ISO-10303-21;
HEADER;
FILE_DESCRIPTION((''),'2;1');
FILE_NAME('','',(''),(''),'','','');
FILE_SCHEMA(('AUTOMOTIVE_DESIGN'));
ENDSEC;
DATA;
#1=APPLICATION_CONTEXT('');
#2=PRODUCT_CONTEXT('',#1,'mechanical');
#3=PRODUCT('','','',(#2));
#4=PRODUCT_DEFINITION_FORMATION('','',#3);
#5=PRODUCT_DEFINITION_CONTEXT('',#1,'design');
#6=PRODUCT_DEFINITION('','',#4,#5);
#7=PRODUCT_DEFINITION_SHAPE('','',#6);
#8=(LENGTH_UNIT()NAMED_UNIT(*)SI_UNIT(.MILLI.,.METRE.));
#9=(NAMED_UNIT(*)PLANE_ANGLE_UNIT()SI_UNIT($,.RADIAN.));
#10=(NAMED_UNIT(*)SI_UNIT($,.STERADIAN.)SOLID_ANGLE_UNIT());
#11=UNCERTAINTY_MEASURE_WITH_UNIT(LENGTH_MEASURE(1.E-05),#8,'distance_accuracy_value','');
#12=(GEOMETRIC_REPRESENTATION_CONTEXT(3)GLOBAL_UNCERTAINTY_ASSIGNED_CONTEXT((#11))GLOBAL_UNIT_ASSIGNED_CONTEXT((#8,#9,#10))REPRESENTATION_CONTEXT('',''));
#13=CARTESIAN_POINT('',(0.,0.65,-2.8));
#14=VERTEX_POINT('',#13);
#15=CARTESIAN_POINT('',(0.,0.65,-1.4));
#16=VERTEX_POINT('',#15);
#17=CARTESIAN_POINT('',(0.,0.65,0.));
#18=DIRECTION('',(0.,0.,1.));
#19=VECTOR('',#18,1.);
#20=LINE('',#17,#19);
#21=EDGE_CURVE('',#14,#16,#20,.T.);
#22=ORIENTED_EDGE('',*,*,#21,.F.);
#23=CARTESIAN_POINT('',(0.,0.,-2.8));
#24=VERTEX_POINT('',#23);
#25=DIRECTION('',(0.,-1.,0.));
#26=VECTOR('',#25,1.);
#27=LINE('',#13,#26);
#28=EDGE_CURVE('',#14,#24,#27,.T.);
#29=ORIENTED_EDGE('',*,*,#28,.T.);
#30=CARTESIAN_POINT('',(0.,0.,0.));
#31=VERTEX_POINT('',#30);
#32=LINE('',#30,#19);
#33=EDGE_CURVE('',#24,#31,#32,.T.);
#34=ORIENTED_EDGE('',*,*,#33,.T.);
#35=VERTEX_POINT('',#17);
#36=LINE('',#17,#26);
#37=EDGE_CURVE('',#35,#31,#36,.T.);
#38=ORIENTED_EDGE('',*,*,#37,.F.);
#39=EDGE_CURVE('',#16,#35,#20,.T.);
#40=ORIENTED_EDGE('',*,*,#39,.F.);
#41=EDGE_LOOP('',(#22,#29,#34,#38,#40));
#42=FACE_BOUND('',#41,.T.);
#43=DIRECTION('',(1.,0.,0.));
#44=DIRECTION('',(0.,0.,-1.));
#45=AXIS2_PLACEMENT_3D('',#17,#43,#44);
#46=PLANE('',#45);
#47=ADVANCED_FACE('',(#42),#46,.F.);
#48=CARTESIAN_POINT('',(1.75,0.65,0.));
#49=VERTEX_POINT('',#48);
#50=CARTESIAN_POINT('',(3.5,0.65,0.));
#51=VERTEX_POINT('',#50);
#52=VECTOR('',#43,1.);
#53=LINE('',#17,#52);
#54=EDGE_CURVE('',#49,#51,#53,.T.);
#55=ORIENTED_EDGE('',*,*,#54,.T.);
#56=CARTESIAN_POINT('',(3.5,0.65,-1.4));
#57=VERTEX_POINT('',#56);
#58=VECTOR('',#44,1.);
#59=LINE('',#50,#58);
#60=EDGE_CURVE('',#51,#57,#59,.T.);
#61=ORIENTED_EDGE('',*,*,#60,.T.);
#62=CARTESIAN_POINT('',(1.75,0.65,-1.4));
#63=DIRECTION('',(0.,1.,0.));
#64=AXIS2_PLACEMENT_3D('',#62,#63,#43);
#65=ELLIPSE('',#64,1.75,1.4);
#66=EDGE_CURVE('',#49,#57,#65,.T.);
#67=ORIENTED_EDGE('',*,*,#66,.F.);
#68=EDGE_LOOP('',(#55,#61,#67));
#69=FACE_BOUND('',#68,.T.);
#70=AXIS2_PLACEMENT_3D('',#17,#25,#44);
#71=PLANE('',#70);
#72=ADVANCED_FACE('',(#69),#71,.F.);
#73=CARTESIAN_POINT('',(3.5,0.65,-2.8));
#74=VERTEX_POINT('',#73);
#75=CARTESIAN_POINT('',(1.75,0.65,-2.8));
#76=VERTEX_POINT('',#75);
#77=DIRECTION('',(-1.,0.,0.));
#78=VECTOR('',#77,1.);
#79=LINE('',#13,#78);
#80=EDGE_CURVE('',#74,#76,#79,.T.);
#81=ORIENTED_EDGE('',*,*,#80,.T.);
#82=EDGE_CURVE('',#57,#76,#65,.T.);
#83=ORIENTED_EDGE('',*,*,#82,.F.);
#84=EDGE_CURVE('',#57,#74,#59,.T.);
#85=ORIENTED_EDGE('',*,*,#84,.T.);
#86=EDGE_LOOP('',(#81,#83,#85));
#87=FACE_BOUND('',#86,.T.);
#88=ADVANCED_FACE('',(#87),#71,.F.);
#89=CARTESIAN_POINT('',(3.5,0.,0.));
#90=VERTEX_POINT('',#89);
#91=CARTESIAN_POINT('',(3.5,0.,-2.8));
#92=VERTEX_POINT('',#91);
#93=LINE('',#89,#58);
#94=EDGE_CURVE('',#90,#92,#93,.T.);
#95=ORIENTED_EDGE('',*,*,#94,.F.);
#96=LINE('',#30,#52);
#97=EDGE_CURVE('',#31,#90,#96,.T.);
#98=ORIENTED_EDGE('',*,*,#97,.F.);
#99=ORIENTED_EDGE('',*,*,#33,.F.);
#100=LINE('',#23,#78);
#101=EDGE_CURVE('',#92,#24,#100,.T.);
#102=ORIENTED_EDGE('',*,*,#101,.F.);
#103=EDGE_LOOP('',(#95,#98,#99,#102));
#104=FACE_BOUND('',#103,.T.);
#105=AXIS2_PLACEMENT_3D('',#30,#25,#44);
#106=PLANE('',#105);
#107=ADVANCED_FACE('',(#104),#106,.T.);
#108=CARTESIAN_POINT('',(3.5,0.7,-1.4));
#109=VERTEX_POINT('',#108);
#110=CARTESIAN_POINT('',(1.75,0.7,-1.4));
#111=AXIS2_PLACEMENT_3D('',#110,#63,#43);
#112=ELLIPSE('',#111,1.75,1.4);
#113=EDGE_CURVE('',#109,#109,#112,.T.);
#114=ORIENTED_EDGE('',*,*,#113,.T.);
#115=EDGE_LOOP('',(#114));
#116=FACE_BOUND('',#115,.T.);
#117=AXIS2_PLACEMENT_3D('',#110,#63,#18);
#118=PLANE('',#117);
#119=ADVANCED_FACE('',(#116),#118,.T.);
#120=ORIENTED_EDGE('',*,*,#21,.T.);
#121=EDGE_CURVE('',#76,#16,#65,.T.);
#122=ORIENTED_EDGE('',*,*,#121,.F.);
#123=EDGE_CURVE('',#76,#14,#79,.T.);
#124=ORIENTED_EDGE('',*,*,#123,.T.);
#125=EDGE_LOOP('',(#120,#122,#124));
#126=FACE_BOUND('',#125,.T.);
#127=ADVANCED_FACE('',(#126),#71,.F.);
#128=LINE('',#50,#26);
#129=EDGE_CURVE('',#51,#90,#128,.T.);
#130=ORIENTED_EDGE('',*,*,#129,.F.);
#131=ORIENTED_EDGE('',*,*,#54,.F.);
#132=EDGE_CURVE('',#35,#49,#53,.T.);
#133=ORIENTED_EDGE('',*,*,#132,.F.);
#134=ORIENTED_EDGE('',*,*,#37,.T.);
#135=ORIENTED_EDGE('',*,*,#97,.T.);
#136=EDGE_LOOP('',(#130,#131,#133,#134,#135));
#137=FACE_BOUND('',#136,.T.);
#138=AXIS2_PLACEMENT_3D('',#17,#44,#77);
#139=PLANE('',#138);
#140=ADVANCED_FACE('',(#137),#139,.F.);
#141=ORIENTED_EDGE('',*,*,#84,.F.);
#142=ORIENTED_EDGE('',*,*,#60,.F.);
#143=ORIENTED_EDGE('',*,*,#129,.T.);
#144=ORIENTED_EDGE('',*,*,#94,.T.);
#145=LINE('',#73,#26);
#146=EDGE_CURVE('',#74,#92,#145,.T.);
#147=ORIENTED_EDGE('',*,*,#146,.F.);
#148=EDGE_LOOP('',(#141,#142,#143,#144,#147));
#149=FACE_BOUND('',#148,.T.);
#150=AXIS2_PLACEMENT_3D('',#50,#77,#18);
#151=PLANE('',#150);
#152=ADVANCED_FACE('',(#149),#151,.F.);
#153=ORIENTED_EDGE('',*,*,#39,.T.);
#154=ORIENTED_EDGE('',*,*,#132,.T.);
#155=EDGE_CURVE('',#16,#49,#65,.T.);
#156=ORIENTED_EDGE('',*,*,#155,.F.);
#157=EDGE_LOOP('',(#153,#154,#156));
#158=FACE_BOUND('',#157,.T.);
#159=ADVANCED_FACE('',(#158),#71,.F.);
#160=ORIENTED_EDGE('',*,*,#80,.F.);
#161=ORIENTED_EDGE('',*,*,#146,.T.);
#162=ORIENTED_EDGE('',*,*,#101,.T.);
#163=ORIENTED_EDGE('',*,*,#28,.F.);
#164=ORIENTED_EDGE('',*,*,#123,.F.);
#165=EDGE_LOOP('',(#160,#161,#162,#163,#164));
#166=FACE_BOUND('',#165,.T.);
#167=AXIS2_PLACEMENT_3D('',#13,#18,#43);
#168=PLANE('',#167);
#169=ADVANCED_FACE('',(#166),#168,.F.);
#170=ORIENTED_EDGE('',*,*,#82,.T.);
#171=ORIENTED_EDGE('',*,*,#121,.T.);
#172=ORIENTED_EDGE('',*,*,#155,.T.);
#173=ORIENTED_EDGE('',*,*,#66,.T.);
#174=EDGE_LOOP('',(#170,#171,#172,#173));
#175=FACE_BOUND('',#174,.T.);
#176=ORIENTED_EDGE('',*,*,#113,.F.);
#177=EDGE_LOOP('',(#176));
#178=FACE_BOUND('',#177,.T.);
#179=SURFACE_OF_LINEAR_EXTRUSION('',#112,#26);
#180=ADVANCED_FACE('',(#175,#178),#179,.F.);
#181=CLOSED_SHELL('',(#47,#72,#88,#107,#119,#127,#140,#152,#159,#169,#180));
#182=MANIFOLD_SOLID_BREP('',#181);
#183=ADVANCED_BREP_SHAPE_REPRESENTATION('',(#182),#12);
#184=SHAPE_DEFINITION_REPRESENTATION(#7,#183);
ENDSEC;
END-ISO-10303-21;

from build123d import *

# Parameters (mm, degrees)
SKETCH1_W           = 3.5
SKETCH1_H           = 2.8
BOSS_EXTRUDE1_DEPTH = 0.65
SKETCH3_RX          = 1.75
SKETCH3_RY          = 1.4
BOSS_EXTRUDE2_DEPTH = 0.05


with BuildPart() as part:
    # Sketch1 → Boss-Extrude1 (new body)
    with BuildSketch(Plane(origin=(0, 0, 0), x_dir=(1, 0, 0), z_dir=(0, 1, 0))):
        with Locations((1.75, 1.4)):
            Rectangle(SKETCH1_W, SKETCH1_H)
    extrude(amount=BOSS_EXTRUDE1_DEPTH)

    # Sketch3 → Boss-Extrude2 (add)
    with BuildSketch(Plane(origin=(0, 0.65, 0), x_dir=(1, 0, 0), z_dir=(0, 1, 0))):
        with Locations((1.75, 1.4)):
            Ellipse(SKETCH3_RX, SKETCH3_RY)
    extrude(amount=BOSS_EXTRUDE2_DEPTH)


solid = part.part
